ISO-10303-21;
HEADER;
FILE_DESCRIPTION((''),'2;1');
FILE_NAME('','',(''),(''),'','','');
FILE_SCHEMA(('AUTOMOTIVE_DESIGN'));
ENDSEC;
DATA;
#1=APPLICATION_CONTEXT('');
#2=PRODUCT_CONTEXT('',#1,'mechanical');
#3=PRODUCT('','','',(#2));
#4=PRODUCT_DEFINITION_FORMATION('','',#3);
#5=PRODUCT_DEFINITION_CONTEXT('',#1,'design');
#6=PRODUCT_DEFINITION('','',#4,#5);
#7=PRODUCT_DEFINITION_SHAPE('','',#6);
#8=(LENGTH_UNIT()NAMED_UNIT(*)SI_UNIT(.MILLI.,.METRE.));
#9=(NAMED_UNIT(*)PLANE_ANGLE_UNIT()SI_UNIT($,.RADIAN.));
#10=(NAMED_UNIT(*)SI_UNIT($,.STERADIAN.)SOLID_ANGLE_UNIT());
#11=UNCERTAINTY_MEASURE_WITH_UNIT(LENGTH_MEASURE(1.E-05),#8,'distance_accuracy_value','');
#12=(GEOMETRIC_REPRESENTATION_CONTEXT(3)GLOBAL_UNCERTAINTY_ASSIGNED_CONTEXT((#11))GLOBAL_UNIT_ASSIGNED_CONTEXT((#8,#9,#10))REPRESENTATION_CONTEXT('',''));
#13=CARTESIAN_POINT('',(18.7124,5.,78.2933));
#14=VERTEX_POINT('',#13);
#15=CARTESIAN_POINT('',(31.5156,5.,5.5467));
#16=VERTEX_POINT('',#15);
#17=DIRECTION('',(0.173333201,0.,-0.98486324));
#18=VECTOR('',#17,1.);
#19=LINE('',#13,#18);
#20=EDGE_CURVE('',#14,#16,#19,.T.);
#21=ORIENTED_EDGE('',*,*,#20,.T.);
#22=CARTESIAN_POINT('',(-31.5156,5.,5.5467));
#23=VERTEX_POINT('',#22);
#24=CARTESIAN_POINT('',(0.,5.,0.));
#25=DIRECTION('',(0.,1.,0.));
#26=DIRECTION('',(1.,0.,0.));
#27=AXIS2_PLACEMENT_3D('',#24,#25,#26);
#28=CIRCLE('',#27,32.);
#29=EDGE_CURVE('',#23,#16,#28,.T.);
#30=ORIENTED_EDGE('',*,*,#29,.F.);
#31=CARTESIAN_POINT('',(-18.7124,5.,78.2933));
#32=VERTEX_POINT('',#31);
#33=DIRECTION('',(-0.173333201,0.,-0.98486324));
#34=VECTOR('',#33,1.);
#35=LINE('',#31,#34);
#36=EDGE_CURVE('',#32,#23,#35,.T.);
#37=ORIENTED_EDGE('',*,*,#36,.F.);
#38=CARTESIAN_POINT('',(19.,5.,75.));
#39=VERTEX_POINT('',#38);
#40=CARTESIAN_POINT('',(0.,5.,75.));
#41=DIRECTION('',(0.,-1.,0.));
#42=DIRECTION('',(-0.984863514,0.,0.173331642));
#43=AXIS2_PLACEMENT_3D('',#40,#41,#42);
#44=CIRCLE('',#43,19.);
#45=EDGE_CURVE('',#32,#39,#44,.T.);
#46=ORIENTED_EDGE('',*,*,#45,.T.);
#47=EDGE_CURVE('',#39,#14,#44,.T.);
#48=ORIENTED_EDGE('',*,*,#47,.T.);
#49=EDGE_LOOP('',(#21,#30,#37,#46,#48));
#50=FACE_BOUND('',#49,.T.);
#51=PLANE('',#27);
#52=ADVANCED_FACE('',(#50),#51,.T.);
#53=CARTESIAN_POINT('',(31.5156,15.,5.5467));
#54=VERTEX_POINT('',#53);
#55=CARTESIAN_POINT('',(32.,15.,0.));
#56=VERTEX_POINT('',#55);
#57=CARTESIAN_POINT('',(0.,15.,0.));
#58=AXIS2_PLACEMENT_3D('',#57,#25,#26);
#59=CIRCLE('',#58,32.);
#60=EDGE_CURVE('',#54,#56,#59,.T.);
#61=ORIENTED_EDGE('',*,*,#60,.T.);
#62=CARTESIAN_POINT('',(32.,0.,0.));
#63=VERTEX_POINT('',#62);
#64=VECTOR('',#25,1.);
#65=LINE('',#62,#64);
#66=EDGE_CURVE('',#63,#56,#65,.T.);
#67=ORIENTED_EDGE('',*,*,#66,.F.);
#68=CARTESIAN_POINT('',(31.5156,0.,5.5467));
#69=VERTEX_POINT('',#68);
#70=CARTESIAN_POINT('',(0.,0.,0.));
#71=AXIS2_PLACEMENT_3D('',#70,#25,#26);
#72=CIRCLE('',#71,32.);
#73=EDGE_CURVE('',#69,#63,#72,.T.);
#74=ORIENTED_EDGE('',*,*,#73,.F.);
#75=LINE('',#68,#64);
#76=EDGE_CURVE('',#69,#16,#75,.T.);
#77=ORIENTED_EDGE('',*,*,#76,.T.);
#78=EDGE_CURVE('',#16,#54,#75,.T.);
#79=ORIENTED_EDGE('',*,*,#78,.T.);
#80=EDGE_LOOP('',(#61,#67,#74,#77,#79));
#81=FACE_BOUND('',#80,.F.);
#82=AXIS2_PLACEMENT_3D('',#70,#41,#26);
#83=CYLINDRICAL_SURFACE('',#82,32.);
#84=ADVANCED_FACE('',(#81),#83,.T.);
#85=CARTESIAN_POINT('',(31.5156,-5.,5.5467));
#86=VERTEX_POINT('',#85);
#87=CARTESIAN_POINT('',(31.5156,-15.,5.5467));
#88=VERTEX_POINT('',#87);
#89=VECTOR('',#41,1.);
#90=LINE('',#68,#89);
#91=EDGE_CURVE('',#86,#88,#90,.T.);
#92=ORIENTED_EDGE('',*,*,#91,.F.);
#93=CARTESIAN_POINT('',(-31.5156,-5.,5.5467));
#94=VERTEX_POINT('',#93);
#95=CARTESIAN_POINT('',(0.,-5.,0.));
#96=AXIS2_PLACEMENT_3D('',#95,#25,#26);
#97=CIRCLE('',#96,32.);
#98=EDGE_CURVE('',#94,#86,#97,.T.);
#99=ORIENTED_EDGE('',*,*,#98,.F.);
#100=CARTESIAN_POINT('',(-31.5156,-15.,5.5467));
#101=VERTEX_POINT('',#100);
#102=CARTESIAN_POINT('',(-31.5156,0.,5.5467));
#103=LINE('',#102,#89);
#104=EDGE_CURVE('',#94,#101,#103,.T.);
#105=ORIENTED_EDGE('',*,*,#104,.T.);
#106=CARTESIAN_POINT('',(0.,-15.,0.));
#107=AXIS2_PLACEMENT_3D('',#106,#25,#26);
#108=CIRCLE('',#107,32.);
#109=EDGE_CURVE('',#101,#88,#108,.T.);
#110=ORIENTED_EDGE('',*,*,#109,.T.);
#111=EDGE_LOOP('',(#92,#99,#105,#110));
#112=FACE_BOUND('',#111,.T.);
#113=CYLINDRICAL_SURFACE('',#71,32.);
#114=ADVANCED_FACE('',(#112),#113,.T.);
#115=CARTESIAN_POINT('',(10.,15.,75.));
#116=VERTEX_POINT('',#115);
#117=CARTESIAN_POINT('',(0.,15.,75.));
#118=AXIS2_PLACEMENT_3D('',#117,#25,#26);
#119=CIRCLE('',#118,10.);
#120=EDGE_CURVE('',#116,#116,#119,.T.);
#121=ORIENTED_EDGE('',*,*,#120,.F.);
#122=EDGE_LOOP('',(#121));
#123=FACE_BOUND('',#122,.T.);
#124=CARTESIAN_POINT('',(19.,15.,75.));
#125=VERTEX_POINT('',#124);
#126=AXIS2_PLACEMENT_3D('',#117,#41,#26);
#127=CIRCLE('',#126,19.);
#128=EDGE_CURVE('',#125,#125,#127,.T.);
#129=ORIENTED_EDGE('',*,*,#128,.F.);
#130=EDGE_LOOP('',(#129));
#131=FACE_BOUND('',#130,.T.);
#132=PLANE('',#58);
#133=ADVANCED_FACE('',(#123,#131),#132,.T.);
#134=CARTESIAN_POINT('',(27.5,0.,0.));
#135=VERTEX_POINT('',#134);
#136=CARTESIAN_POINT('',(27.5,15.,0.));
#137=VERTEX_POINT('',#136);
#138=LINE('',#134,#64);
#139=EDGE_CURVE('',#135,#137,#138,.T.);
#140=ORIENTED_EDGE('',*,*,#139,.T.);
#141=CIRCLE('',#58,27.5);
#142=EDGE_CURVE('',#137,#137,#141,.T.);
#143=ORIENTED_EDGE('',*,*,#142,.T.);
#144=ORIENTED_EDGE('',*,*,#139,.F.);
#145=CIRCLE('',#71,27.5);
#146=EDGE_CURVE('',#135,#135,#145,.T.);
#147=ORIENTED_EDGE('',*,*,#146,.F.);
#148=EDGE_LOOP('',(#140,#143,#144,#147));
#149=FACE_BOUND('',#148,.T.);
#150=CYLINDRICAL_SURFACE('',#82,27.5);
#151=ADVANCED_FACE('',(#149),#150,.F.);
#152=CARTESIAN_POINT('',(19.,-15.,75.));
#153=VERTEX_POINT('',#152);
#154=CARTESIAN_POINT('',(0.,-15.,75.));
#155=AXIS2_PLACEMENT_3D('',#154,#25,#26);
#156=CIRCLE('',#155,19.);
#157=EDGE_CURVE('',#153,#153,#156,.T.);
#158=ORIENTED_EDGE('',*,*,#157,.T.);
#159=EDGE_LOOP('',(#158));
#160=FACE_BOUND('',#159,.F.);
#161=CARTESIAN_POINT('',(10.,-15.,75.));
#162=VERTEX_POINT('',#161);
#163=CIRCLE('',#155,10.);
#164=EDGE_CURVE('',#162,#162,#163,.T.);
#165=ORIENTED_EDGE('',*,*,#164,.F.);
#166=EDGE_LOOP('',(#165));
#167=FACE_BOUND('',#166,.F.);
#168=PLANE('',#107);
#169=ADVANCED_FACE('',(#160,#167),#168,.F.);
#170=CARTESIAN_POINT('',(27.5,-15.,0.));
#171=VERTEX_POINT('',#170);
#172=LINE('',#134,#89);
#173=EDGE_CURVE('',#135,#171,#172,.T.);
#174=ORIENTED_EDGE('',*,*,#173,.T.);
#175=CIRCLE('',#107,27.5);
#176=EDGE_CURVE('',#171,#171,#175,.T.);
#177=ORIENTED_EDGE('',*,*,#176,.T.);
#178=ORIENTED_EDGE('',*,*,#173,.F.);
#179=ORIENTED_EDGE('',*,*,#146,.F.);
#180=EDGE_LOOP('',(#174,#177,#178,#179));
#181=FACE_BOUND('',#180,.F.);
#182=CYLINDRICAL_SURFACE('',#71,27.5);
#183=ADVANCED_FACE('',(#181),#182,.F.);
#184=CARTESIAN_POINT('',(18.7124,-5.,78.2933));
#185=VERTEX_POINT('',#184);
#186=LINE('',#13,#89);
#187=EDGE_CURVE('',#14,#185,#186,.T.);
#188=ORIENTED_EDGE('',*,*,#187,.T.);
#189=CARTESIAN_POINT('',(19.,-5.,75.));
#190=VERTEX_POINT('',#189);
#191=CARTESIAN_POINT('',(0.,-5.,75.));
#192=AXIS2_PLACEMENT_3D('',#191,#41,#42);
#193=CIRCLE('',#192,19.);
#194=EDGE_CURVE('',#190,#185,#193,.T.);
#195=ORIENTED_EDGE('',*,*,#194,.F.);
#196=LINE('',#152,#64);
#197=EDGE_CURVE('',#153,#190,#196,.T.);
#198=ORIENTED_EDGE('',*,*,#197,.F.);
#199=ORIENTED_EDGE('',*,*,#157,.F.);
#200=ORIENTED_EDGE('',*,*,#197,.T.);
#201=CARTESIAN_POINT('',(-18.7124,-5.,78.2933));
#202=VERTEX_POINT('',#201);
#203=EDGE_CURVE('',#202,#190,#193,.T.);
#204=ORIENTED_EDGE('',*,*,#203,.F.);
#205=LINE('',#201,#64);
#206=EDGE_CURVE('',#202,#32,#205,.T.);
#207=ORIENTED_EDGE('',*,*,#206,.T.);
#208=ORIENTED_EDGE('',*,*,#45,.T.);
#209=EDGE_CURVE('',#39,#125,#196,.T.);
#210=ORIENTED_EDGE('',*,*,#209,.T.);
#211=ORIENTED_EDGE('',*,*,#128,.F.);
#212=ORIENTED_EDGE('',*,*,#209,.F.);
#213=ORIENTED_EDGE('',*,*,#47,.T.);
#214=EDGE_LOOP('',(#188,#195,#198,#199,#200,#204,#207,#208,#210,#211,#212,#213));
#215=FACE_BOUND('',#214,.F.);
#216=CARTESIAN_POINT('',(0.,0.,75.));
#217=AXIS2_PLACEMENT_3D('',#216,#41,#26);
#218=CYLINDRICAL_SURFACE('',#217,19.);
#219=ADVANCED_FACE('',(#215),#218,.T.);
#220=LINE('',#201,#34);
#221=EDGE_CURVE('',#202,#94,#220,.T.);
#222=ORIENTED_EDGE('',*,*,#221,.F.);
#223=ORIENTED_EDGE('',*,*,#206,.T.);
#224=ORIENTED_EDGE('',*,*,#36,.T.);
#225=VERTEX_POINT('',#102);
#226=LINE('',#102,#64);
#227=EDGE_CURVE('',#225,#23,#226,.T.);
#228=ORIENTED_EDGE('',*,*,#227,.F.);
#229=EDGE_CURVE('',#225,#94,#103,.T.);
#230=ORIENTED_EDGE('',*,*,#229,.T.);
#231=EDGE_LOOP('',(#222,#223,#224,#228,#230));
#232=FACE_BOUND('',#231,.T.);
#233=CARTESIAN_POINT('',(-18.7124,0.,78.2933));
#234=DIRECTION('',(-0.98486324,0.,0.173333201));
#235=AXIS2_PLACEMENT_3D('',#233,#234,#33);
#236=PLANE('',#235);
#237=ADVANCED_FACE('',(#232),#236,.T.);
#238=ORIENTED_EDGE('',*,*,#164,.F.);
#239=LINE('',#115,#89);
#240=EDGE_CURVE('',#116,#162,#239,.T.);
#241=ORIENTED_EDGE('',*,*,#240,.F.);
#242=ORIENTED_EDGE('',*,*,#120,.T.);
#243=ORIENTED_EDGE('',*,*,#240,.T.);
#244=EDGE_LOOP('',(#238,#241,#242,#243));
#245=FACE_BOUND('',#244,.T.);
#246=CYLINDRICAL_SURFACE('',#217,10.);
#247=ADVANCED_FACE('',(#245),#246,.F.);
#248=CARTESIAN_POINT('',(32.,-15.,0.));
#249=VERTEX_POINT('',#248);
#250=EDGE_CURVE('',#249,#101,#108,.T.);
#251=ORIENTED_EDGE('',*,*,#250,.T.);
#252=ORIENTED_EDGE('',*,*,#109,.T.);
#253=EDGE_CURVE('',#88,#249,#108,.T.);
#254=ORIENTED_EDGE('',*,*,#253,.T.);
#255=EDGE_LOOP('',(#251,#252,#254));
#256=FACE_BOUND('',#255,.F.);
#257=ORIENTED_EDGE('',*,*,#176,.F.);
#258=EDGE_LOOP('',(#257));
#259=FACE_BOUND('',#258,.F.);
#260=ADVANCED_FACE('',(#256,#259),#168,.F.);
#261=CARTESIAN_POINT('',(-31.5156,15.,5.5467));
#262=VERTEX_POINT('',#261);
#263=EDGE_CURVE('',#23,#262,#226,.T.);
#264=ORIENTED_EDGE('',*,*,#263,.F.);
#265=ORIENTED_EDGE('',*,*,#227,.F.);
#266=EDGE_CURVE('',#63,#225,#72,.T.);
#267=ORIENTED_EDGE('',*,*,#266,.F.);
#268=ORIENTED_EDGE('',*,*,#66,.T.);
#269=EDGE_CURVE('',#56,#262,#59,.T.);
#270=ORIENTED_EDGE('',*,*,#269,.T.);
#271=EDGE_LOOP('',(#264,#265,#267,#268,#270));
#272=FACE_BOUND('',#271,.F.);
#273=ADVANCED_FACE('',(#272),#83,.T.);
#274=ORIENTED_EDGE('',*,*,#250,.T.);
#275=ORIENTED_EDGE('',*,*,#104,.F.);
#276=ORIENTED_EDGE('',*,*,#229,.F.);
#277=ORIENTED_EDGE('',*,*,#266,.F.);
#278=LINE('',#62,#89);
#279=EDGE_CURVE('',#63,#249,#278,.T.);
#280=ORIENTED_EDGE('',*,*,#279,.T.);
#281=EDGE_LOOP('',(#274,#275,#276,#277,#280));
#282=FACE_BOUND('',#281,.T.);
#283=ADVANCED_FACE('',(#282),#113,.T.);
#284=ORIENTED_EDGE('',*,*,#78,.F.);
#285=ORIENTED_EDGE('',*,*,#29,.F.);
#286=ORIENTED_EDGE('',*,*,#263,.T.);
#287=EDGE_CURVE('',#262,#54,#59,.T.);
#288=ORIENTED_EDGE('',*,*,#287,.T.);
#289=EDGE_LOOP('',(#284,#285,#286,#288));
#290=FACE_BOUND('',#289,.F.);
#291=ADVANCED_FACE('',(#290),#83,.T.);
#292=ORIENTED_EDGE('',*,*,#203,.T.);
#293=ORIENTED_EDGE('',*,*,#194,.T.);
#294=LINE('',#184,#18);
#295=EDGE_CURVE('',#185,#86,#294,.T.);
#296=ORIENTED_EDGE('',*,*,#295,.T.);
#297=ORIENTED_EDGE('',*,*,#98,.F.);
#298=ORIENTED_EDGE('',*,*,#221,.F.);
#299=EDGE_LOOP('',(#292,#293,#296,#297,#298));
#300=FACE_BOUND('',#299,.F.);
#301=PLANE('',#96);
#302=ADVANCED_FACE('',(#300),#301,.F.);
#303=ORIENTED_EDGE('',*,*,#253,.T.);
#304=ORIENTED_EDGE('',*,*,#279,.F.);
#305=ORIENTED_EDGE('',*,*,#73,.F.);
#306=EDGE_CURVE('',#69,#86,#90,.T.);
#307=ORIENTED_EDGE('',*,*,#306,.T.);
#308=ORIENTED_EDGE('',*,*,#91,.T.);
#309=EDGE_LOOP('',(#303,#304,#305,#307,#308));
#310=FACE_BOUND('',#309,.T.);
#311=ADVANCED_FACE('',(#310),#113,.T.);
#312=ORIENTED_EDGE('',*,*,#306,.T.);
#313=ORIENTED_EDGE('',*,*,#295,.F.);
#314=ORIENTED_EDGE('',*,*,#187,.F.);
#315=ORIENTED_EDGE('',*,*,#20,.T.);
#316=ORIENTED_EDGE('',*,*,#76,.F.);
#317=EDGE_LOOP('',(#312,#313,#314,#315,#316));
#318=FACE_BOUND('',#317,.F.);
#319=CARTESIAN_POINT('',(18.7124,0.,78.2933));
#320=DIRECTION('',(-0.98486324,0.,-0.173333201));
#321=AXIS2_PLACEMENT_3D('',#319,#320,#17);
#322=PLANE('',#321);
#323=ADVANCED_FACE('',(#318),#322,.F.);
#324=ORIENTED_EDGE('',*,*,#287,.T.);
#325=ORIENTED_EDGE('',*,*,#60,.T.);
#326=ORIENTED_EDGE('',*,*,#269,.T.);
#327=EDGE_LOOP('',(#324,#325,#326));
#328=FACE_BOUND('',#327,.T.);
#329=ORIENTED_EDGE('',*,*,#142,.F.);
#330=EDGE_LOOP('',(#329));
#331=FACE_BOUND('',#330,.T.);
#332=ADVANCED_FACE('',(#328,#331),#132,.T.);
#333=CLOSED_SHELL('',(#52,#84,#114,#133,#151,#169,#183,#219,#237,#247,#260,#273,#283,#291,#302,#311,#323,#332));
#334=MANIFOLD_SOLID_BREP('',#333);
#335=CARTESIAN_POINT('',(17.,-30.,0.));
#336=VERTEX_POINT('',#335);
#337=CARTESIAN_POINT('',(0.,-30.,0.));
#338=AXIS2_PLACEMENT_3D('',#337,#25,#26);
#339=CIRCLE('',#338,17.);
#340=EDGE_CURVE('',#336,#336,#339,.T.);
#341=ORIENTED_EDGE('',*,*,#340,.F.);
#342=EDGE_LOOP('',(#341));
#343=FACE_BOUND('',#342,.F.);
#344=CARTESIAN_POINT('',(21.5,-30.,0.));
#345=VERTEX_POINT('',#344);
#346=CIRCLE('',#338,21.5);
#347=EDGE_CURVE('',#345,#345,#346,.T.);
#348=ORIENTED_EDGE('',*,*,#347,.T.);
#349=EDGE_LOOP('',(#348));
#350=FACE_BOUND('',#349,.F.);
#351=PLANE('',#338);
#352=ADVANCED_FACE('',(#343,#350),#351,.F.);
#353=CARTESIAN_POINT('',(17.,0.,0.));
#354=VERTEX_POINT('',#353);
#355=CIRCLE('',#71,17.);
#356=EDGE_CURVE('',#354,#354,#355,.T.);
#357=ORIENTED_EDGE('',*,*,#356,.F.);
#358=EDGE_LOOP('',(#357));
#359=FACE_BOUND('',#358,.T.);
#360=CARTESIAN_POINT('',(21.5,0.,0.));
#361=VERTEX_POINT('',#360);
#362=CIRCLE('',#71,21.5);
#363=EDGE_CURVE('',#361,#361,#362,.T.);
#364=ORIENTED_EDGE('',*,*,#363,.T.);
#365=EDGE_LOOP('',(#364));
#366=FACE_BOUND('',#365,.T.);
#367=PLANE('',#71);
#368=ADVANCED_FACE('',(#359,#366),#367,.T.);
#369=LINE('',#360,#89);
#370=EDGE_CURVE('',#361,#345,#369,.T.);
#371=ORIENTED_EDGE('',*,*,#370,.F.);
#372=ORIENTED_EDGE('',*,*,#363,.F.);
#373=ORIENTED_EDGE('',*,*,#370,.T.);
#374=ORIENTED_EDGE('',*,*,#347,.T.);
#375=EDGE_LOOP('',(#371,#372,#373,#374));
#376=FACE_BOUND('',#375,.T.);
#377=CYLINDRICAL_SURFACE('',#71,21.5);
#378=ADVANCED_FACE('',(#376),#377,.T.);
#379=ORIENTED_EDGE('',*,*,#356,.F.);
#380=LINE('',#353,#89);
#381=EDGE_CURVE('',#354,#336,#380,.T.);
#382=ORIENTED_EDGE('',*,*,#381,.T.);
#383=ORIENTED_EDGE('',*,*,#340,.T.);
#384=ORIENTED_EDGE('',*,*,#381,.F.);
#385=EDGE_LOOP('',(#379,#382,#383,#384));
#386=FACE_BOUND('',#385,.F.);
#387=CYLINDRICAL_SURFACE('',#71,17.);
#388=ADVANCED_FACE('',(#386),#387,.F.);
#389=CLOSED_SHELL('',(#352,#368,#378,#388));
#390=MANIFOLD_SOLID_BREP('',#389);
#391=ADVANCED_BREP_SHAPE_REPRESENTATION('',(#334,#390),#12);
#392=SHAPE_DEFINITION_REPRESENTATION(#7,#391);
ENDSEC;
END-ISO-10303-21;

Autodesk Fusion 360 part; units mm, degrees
sketch "Sketch1" plane through (0, 0, 0) normal (0, 1, 0) x (1, 0, 0)
  circle A0 centre (0, 0) radius 17
  circle A1 centre (0, 0) radius 21.5
  circle A2 centre (0, 0) radius 27.5
  circle A3 centre (0, 0) radius 32
  circle A4 centre (0, -75) radius 10
  circle A5 centre (0, -75) radius 19
  line L0 (-18.7124, -78.2933) -> (-31.5156, -5.5467)
  line L1 (18.7124, -78.2933) -> (31.5156, -5.5467)
  dimension "d1" = 34
  dimension "d2" = 43
  dimension "d3" = 55
  dimension "d4" = 64
  dimension "d5" = 20
  dimension "d6" = 38
  dimension "d7" = 75
extrude "Extrude1" add sketch "Sketch1" along normal mid plane 30 contours A5 makes body 1
extrude "Extrude2" add sketch "Sketch1" against normal blind 30 separate body contours A1 makes body 2
extrude "Extrude3" add sketch "Sketch1" along normal mid plane 30 separate body contours A3 makes body 3
extrude "Extrude4" add sketch "Sketch1" along normal mid plane 10 contours A3 A5 L0 L1 bodies 1 3
